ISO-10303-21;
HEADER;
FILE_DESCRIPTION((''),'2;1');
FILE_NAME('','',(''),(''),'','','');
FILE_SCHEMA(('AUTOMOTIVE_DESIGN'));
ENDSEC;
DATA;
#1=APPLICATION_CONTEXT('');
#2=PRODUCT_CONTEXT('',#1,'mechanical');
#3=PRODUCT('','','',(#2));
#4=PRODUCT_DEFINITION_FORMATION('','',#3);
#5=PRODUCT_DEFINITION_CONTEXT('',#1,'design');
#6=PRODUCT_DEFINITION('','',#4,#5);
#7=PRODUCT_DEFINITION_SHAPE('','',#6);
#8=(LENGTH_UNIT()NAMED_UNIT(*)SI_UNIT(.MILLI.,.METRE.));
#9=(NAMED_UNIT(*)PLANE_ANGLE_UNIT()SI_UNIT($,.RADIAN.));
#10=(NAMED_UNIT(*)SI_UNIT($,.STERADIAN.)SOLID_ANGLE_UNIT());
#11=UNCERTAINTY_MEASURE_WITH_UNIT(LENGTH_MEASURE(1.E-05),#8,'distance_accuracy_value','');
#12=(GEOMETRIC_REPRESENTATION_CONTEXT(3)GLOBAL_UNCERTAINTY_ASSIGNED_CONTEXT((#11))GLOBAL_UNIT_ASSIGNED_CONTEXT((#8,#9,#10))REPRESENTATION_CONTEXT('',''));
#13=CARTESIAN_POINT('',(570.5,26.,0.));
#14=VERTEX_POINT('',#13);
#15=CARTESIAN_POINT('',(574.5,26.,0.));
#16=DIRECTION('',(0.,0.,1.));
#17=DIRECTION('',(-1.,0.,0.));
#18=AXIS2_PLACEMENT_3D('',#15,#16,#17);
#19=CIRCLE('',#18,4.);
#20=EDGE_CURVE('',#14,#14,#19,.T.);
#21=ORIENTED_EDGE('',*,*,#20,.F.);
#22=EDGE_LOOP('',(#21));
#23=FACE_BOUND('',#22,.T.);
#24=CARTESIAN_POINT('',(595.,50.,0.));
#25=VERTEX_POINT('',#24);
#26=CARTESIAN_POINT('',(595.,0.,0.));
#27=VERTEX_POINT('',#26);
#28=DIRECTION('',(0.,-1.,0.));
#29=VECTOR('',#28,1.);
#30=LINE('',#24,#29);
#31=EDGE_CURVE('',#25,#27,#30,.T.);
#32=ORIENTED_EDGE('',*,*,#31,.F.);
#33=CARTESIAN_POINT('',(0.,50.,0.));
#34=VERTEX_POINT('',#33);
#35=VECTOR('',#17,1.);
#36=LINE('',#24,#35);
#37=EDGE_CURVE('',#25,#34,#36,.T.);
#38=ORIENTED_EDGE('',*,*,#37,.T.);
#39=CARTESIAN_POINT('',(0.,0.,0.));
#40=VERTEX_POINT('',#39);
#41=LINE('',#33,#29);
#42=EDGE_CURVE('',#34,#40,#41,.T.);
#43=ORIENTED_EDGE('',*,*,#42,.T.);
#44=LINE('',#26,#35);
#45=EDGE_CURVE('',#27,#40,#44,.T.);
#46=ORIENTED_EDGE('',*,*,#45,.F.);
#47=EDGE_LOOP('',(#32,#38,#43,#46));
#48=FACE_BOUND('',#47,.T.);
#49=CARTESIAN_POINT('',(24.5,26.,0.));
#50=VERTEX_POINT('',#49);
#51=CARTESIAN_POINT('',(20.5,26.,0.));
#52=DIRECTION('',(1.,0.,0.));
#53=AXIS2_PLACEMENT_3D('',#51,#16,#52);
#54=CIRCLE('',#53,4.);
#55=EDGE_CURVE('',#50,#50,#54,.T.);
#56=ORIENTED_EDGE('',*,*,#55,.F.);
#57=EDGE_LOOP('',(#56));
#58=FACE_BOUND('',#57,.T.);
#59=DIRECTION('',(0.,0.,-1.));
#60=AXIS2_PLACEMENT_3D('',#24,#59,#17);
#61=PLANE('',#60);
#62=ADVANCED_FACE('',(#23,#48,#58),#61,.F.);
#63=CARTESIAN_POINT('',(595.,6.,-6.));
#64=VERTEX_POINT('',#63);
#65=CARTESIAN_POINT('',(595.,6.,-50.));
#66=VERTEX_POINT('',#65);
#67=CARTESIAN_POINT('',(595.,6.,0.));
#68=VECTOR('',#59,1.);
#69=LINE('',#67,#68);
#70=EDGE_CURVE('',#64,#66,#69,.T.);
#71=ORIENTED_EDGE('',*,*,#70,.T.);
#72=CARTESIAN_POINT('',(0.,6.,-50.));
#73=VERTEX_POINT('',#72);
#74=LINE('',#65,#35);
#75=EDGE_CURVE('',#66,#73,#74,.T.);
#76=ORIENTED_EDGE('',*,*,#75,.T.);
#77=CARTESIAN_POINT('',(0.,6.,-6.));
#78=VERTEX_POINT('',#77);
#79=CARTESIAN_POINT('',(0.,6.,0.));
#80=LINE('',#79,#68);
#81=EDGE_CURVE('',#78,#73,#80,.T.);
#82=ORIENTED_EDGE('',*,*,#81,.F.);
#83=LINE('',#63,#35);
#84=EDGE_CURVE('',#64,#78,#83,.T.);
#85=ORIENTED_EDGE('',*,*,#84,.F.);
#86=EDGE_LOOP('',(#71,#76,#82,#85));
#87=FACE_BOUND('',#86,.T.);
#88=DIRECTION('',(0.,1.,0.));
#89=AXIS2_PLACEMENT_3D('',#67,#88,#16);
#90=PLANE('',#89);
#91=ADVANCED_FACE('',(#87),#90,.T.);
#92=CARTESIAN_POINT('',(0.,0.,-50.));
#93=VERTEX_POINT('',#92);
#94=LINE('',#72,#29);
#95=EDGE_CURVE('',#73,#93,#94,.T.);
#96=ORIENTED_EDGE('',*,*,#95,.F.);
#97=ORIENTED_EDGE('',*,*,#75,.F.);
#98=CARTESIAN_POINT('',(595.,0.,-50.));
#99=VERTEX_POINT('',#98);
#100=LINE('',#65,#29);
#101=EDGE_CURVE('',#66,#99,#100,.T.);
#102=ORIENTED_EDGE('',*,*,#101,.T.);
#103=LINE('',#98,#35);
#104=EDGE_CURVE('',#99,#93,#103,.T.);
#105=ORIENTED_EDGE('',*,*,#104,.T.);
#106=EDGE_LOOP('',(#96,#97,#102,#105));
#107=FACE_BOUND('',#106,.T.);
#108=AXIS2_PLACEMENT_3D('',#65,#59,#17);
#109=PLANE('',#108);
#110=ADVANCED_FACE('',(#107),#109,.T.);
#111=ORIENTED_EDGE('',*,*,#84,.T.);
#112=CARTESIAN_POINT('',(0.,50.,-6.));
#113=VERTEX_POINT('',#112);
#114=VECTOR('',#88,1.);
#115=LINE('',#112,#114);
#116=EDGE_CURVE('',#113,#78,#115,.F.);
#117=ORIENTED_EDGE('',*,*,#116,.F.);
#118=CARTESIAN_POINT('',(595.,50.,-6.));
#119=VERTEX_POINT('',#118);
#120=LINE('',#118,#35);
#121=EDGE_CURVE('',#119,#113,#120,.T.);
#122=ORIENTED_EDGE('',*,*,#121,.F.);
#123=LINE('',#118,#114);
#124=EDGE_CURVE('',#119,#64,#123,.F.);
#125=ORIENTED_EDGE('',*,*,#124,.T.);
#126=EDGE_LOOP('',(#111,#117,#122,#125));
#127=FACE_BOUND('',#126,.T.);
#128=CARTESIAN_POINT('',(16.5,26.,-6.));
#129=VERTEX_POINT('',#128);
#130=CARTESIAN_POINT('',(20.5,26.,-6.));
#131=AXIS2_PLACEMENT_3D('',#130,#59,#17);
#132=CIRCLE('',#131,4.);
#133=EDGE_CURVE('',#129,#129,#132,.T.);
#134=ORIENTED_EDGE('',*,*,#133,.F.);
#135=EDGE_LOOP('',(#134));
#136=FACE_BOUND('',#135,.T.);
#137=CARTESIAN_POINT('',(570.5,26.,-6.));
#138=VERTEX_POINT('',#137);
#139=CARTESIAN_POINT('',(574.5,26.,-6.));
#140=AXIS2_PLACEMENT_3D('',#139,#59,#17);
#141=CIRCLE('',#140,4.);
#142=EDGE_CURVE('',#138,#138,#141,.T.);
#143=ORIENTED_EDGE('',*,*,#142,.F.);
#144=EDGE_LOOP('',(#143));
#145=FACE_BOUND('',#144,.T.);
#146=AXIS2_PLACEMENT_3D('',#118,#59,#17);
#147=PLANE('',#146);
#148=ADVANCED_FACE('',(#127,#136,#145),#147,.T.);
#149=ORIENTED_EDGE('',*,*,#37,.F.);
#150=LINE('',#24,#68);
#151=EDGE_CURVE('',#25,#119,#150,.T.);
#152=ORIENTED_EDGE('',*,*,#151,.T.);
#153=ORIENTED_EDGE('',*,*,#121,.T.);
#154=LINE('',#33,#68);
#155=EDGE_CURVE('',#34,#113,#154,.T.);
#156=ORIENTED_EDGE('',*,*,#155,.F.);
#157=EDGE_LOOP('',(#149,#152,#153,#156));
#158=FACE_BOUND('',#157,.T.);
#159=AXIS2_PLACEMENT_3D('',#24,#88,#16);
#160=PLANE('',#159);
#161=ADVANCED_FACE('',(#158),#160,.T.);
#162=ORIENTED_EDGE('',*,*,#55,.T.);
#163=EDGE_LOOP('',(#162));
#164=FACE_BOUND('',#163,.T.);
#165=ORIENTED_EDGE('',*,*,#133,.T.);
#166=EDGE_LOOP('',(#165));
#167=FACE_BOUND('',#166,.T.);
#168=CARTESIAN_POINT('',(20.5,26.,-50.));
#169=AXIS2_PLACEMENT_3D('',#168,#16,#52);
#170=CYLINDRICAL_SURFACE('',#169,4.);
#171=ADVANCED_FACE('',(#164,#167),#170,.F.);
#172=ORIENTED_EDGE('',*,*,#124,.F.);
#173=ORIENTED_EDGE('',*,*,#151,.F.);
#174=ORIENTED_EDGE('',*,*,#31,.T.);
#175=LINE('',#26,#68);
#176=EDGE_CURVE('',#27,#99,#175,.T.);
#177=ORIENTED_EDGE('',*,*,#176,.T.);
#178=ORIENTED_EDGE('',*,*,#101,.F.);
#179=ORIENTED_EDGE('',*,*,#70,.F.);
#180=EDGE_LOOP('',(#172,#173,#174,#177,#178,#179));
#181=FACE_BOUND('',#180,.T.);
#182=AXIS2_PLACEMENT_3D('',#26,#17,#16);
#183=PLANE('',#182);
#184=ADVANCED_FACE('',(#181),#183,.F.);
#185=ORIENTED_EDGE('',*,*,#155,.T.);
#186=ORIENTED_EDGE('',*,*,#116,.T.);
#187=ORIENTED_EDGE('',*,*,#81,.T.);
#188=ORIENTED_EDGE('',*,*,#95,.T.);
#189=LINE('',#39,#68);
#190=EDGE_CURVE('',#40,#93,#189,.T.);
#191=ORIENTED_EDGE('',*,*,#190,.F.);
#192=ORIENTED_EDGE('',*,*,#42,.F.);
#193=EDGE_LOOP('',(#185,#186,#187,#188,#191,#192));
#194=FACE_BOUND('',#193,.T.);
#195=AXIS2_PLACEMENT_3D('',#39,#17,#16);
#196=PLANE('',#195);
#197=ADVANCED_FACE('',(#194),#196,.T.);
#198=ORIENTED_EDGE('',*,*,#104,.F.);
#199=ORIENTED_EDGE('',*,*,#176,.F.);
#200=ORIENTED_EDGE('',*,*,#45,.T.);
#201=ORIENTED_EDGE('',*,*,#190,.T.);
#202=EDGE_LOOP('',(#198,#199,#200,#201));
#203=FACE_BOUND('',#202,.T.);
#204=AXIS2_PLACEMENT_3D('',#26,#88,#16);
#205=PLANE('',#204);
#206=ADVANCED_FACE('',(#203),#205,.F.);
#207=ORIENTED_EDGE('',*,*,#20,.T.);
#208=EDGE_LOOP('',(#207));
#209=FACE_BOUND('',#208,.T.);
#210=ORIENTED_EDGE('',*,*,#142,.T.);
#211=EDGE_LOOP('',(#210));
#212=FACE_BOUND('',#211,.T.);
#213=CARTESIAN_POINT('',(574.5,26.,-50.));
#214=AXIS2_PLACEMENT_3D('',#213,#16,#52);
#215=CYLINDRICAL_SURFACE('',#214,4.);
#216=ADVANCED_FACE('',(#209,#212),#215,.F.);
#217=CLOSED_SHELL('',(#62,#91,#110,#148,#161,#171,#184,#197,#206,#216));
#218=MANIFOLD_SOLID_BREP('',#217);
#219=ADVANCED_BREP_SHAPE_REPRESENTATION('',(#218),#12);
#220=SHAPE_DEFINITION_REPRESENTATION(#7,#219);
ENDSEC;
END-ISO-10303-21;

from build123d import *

# Parameters (mm, degrees)
EXTRUDE_2_DEPTH     = 595
SKETCH_2_R          = 4
CUT_EXTRUDE_1_DEPTH = 51


with BuildPart() as part:
    # Эскиз1 → Вытянуть-Тонкостенный2 (new body)
    with BuildSketch(Plane(origin=(0, 0, 0), x_dir=(0, 0, -1), z_dir=(1, 0, 0))):
        Polygon((0, 50), (0, 0), (50, 0), (50, 6), (6, 6), (6, 50), align=None)
    extrude(amount=EXTRUDE_2_DEPTH)

    # Эскиз2 → Вырез-Вытянуть1 (cut, through all)
    with BuildSketch(Plane.XY):
        with Locations((20.5, 26)):
            Circle(SKETCH_2_R)
        with Locations((574.5, 26)):
            Circle(SKETCH_2_R)
    extrude(amount=-CUT_EXTRUDE_1_DEPTH, mode=Mode.SUBTRACT)


solid = part.part
